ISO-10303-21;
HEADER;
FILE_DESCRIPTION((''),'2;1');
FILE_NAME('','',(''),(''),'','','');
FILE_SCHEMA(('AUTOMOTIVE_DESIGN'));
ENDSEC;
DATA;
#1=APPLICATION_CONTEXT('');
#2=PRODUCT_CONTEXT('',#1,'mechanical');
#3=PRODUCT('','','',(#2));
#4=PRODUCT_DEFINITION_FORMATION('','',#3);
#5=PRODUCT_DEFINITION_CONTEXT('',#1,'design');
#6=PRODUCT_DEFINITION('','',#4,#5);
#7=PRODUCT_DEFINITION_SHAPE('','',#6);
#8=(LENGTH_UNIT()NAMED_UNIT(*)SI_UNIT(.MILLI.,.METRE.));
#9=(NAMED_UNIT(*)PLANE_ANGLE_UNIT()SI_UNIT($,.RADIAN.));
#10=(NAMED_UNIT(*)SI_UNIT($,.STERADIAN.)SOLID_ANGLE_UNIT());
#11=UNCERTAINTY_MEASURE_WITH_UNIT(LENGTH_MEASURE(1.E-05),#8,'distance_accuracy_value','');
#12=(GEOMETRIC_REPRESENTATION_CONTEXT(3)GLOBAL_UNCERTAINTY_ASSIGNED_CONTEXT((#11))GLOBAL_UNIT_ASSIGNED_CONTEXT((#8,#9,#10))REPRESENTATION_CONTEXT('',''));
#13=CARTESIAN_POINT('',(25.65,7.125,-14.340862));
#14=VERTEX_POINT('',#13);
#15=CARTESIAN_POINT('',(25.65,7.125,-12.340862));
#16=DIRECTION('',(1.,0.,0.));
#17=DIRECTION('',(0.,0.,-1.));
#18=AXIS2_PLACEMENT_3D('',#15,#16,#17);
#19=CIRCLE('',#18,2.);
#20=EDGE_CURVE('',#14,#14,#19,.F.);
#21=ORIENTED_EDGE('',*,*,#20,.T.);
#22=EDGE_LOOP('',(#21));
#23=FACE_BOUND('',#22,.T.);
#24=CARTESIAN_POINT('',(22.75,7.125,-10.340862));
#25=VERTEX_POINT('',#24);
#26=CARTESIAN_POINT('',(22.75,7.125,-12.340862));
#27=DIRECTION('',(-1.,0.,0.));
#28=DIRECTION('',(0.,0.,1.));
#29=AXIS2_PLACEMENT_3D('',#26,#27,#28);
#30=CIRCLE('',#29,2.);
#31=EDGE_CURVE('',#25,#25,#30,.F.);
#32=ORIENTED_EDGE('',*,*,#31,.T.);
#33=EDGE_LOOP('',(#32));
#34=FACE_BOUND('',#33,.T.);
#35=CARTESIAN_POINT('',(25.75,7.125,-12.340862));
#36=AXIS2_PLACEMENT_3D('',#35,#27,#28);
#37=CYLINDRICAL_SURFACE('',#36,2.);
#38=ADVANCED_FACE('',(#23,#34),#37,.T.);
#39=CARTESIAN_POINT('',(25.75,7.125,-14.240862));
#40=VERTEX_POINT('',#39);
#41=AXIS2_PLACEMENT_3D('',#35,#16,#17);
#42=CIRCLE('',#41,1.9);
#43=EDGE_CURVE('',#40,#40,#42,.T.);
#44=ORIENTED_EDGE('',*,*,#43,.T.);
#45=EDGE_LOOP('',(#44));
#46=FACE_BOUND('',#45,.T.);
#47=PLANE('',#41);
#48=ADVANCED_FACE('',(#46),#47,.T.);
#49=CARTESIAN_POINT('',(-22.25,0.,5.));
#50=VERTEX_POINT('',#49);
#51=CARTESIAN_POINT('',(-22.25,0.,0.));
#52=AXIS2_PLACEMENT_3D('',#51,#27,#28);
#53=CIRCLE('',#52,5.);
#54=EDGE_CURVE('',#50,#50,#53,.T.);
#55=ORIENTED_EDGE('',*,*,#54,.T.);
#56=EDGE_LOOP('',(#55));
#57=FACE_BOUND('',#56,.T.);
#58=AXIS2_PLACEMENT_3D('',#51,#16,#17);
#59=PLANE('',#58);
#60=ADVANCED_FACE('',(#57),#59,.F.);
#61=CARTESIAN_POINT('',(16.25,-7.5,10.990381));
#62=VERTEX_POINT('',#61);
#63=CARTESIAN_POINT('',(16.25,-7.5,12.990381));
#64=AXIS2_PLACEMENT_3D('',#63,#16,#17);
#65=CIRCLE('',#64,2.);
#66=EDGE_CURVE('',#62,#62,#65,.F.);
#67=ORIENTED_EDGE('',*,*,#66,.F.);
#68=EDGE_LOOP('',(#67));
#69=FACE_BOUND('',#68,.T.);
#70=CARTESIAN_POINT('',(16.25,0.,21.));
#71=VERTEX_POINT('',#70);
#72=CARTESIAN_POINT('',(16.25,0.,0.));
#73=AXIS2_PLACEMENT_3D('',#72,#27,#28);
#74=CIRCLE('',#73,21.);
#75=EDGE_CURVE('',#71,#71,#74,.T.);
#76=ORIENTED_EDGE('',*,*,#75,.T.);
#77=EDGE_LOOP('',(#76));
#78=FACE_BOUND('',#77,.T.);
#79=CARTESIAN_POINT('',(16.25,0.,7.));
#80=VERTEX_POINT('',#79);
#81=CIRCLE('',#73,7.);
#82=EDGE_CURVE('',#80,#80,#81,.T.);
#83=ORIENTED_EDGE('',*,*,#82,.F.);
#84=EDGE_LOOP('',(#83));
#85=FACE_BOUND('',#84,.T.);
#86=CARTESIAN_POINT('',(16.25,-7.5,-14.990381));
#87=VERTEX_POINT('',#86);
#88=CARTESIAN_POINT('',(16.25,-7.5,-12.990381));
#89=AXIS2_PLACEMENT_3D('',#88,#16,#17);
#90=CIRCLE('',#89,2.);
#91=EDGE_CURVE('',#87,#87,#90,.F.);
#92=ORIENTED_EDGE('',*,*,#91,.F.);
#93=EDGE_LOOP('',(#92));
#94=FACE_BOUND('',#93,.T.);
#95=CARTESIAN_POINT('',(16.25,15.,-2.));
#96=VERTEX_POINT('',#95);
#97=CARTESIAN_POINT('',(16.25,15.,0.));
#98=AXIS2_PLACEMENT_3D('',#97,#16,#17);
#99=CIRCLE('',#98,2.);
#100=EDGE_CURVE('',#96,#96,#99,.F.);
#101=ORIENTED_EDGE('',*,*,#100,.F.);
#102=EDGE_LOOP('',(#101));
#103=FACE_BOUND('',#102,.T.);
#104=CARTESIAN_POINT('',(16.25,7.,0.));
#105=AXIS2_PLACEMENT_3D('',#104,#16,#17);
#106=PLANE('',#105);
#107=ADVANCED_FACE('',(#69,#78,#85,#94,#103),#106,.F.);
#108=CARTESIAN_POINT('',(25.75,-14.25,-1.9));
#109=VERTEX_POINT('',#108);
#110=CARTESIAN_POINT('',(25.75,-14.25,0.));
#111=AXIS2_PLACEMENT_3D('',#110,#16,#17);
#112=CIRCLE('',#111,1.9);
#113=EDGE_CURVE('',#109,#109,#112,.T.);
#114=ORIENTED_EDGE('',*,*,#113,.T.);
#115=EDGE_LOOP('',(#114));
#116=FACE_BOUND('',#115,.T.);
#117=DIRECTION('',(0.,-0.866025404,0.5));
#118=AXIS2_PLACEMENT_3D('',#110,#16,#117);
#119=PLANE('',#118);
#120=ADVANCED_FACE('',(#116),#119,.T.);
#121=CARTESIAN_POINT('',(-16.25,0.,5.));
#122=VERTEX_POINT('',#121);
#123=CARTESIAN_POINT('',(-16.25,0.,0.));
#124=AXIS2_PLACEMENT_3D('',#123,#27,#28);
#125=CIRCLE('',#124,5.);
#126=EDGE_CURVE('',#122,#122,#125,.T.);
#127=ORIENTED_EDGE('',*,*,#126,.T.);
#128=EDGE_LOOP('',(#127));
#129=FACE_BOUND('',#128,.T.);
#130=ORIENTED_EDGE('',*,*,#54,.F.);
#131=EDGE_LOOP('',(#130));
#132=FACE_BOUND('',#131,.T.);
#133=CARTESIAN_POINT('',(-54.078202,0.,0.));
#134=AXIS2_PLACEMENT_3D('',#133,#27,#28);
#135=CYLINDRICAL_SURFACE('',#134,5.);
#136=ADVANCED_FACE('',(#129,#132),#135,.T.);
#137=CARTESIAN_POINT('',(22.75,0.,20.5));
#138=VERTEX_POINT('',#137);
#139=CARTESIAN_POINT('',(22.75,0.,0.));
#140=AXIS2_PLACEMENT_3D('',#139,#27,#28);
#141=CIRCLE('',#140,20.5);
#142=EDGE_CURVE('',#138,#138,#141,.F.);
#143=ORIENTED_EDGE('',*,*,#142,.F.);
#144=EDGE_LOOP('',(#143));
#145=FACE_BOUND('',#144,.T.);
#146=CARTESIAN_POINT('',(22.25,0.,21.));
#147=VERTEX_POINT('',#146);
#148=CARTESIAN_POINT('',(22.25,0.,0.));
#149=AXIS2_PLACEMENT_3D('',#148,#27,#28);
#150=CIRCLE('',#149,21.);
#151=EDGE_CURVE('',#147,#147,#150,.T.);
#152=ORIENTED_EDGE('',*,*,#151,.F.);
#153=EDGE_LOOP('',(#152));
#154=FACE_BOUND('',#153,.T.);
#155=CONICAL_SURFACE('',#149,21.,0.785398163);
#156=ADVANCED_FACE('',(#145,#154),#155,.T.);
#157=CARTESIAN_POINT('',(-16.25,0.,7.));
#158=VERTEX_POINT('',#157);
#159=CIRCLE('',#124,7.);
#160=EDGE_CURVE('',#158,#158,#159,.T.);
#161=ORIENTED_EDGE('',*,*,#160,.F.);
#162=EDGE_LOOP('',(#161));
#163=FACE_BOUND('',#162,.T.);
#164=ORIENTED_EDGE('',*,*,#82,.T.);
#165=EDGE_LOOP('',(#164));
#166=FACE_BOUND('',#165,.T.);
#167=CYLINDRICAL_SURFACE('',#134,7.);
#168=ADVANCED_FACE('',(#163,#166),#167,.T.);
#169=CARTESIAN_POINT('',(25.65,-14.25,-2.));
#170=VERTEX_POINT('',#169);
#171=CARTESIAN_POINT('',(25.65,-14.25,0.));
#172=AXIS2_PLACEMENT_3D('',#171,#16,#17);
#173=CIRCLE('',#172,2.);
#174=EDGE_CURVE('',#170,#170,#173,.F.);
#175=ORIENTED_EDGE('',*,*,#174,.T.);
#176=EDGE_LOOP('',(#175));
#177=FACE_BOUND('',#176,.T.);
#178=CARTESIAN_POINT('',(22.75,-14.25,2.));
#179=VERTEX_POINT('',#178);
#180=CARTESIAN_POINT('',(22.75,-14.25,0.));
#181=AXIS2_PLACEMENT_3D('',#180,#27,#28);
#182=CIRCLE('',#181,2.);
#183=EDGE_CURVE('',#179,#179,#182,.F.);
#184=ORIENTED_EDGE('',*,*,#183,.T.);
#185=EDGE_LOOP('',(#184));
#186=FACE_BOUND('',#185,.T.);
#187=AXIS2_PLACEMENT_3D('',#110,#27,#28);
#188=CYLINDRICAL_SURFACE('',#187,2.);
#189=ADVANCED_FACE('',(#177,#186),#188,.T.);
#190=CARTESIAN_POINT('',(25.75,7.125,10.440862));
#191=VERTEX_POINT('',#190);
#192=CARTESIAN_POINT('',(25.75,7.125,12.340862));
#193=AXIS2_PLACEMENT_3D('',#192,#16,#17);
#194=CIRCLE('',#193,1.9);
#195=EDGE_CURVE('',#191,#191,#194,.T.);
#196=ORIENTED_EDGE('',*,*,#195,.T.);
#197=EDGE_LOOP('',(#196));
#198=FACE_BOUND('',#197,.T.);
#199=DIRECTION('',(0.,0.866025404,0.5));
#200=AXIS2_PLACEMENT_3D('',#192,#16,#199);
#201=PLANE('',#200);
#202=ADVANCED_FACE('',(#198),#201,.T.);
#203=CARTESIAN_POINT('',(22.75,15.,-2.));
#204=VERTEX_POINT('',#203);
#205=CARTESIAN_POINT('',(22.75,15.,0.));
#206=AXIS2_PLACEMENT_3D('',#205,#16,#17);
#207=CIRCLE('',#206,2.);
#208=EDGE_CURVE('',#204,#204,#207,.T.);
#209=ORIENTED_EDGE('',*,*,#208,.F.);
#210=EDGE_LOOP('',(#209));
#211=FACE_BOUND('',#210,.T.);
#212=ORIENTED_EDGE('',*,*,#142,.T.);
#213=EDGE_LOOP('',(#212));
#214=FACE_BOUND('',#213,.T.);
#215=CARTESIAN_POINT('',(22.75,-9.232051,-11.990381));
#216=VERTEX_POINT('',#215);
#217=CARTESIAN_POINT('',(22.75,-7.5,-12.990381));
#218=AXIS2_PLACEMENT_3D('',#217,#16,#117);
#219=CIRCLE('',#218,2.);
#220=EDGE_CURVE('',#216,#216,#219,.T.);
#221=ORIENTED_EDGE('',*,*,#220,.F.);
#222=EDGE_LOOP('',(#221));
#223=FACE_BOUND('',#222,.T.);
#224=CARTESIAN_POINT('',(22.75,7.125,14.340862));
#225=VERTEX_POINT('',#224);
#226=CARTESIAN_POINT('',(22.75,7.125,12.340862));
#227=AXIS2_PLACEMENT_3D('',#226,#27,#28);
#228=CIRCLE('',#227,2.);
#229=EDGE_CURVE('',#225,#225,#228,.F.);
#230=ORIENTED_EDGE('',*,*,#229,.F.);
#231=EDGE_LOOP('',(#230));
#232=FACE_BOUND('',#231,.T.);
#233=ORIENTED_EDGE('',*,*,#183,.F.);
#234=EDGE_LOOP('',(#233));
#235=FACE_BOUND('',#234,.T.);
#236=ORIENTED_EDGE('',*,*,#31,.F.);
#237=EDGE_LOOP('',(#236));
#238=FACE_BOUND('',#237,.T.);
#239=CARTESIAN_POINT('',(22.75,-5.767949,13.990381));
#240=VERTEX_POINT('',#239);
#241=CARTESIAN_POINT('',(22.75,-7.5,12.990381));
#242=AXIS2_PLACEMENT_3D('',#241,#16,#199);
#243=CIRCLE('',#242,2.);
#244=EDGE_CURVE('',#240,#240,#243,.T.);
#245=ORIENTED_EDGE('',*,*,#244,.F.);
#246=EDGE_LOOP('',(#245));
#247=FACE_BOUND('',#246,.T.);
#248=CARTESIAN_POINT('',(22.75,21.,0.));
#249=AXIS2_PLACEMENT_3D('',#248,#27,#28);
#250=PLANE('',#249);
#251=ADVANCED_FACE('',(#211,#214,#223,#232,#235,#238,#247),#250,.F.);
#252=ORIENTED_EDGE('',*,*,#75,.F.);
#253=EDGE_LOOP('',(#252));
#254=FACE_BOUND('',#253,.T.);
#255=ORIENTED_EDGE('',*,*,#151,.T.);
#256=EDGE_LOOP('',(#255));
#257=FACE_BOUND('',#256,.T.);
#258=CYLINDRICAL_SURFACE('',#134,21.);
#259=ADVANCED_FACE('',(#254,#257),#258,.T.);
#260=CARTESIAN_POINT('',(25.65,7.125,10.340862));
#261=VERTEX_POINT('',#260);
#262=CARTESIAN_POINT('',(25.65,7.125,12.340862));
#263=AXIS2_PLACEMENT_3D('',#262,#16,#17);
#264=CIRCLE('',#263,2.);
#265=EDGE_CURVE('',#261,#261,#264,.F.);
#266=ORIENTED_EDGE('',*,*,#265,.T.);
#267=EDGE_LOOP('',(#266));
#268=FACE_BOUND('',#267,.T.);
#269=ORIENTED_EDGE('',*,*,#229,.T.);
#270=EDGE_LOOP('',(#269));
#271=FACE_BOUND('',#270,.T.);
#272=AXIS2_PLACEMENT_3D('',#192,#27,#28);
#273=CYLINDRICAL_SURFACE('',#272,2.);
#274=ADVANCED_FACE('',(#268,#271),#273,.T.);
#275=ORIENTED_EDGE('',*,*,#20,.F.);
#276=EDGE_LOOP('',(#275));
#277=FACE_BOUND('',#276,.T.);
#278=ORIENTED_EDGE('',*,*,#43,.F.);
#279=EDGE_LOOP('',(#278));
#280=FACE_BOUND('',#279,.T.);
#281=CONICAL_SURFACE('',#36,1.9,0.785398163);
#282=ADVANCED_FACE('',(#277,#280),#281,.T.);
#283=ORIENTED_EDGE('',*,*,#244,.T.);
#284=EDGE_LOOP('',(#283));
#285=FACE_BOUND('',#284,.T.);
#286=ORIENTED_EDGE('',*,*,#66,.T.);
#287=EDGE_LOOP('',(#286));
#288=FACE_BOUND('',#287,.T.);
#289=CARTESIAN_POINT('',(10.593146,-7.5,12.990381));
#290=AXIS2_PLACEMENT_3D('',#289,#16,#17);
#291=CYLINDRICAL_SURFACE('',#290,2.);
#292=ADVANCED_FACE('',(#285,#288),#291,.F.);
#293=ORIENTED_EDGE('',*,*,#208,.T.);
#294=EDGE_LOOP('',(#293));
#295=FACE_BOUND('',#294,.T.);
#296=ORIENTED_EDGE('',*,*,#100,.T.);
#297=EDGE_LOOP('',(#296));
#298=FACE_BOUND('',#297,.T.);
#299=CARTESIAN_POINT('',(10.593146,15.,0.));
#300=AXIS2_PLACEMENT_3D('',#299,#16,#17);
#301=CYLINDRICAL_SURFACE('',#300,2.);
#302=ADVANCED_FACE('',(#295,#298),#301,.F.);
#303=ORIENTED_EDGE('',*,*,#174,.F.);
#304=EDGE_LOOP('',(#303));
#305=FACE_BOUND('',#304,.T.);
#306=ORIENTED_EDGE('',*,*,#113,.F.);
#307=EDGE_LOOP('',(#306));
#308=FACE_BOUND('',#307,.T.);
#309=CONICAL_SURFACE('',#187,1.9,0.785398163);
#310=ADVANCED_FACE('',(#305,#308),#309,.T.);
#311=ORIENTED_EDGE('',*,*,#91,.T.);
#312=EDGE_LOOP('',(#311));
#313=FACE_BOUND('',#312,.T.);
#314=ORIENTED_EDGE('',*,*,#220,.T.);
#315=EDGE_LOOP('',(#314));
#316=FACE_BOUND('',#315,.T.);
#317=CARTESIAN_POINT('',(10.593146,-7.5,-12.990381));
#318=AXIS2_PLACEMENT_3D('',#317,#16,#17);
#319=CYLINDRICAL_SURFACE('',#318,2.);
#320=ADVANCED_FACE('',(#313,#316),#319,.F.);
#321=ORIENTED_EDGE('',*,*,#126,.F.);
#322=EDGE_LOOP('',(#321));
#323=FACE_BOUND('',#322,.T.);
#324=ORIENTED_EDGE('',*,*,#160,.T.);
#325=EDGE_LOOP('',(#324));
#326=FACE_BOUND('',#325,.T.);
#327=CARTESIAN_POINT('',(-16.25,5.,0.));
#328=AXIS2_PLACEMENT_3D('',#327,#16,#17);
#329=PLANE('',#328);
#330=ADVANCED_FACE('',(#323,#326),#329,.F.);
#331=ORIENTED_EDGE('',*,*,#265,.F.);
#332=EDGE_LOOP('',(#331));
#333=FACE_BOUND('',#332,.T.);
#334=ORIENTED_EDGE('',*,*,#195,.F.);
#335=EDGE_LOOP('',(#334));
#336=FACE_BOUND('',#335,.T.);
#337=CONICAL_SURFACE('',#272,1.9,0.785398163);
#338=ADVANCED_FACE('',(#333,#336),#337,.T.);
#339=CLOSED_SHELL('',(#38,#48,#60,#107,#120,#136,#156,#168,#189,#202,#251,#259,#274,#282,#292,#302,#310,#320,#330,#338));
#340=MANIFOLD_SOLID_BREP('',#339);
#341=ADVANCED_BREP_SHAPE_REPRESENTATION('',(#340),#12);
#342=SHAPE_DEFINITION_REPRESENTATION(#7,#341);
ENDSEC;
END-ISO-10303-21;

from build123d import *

# Parameters (mm, degrees)
CHAMFER1_SIZE                = 0.5
SKETCH2_R                    = 2
CUT_EXTRUDE1_DEPTH           = 6.5
CIRPATTERN1_COUNT            = 3
SKETCH3_R                    = 2
BOSS_EXTRUDE1_DEPTH          = 3
CHAMFER2_SIZE                = 0.1
CIRPATTERN3_COUNT            = 3
CHAMFER2_OF_CIRPATTERN3_SIZE = 0.1


with BuildPart() as part:
    # Sketch1 → Revolve1 (revolve)
    with BuildSketch(Plane.XY, mode=Mode.PRIVATE) as revolve1_sk:
        Polygon((-22.25, 0), (-22.25, 5), (-16.25, 5), (-16.25, 7), (16.25, 7), (16.25, 21), (22.75, 21), (22.75, 0), align=None)
    revolve(revolve1_sk.sketch.rotate(Axis((-54.078202457, 0, 0), (1, 0, 0)), 90), axis=Axis((-54.078202457, 0, 0), (1, 0, 0)))

    # Chamfer1
    chamfer1_edges = [part.edges().sort_by_distance(p)[0] for p in [
        (22.75, 0, -21),
    ]]
    chamfer(chamfer1_edges, length=CHAMFER1_SIZE)

    # Sketch2 → Cut-Extrude1 (cut)
    with BuildSketch(Plane(origin=(22.75, 0, 0), x_dir=(0, 0, -1), z_dir=(1, 0, 0))):
        with Locations((0, 15)):
            Circle(SKETCH2_R)
    cut_extrude1 = extrude(amount=-CUT_EXTRUDE1_DEPTH, mode=Mode.SUBTRACT)

    # CirPattern1: Cut-Extrude1 ×3 about axis
    cirpattern1_axis = Axis((0, 0, 0), (1, 0, 0))
    for i in range(1, CIRPATTERN1_COUNT):
        add(cut_extrude1.rotate(cirpattern1_axis, i * 360 / CIRPATTERN1_COUNT), mode=Mode.SUBTRACT)

    # Sketch3 → Boss-Extrude1 (add)
    with BuildSketch(Plane(origin=(22.75, 0, 0), x_dir=(0, 0, -1), z_dir=(1, 0, 0))):
        with Locations(Location((12.340862004, 7.125, 0), (0, 0, 180))):
            Circle(SKETCH3_R)
    boss_extrude1 = extrude(amount=BOSS_EXTRUDE1_DEPTH)

    # Chamfer2
    chamfer2_edges = [part.edges().sort_by_distance(p)[0] for p in [
        (25.75, 7.125, -14.340862004),
    ]]
    chamfer(chamfer2_edges, length=CHAMFER2_SIZE)

    # CirPattern3: Boss-Extrude1 ×3 about axis
    cirpattern3_axis = Axis((0, 0, 0), (1, 0, 0))
    for i in range(1, CIRPATTERN3_COUNT):
        add(boss_extrude1.rotate(cirpattern3_axis, i * 360 / CIRPATTERN3_COUNT))

    # Chamfer2 of CirPattern3
    chamfer2_of_cirpattern3_edges = [part.edges().sort_by_distance(p)[0] for p in [
        (25.75, 8.857050808, 13.340862004),
        (25.75, -15.982050808, 1),
    ]]
    chamfer(chamfer2_of_cirpattern3_edges, length=CHAMFER2_OF_CIRPATTERN3_SIZE)


solid = part.part
